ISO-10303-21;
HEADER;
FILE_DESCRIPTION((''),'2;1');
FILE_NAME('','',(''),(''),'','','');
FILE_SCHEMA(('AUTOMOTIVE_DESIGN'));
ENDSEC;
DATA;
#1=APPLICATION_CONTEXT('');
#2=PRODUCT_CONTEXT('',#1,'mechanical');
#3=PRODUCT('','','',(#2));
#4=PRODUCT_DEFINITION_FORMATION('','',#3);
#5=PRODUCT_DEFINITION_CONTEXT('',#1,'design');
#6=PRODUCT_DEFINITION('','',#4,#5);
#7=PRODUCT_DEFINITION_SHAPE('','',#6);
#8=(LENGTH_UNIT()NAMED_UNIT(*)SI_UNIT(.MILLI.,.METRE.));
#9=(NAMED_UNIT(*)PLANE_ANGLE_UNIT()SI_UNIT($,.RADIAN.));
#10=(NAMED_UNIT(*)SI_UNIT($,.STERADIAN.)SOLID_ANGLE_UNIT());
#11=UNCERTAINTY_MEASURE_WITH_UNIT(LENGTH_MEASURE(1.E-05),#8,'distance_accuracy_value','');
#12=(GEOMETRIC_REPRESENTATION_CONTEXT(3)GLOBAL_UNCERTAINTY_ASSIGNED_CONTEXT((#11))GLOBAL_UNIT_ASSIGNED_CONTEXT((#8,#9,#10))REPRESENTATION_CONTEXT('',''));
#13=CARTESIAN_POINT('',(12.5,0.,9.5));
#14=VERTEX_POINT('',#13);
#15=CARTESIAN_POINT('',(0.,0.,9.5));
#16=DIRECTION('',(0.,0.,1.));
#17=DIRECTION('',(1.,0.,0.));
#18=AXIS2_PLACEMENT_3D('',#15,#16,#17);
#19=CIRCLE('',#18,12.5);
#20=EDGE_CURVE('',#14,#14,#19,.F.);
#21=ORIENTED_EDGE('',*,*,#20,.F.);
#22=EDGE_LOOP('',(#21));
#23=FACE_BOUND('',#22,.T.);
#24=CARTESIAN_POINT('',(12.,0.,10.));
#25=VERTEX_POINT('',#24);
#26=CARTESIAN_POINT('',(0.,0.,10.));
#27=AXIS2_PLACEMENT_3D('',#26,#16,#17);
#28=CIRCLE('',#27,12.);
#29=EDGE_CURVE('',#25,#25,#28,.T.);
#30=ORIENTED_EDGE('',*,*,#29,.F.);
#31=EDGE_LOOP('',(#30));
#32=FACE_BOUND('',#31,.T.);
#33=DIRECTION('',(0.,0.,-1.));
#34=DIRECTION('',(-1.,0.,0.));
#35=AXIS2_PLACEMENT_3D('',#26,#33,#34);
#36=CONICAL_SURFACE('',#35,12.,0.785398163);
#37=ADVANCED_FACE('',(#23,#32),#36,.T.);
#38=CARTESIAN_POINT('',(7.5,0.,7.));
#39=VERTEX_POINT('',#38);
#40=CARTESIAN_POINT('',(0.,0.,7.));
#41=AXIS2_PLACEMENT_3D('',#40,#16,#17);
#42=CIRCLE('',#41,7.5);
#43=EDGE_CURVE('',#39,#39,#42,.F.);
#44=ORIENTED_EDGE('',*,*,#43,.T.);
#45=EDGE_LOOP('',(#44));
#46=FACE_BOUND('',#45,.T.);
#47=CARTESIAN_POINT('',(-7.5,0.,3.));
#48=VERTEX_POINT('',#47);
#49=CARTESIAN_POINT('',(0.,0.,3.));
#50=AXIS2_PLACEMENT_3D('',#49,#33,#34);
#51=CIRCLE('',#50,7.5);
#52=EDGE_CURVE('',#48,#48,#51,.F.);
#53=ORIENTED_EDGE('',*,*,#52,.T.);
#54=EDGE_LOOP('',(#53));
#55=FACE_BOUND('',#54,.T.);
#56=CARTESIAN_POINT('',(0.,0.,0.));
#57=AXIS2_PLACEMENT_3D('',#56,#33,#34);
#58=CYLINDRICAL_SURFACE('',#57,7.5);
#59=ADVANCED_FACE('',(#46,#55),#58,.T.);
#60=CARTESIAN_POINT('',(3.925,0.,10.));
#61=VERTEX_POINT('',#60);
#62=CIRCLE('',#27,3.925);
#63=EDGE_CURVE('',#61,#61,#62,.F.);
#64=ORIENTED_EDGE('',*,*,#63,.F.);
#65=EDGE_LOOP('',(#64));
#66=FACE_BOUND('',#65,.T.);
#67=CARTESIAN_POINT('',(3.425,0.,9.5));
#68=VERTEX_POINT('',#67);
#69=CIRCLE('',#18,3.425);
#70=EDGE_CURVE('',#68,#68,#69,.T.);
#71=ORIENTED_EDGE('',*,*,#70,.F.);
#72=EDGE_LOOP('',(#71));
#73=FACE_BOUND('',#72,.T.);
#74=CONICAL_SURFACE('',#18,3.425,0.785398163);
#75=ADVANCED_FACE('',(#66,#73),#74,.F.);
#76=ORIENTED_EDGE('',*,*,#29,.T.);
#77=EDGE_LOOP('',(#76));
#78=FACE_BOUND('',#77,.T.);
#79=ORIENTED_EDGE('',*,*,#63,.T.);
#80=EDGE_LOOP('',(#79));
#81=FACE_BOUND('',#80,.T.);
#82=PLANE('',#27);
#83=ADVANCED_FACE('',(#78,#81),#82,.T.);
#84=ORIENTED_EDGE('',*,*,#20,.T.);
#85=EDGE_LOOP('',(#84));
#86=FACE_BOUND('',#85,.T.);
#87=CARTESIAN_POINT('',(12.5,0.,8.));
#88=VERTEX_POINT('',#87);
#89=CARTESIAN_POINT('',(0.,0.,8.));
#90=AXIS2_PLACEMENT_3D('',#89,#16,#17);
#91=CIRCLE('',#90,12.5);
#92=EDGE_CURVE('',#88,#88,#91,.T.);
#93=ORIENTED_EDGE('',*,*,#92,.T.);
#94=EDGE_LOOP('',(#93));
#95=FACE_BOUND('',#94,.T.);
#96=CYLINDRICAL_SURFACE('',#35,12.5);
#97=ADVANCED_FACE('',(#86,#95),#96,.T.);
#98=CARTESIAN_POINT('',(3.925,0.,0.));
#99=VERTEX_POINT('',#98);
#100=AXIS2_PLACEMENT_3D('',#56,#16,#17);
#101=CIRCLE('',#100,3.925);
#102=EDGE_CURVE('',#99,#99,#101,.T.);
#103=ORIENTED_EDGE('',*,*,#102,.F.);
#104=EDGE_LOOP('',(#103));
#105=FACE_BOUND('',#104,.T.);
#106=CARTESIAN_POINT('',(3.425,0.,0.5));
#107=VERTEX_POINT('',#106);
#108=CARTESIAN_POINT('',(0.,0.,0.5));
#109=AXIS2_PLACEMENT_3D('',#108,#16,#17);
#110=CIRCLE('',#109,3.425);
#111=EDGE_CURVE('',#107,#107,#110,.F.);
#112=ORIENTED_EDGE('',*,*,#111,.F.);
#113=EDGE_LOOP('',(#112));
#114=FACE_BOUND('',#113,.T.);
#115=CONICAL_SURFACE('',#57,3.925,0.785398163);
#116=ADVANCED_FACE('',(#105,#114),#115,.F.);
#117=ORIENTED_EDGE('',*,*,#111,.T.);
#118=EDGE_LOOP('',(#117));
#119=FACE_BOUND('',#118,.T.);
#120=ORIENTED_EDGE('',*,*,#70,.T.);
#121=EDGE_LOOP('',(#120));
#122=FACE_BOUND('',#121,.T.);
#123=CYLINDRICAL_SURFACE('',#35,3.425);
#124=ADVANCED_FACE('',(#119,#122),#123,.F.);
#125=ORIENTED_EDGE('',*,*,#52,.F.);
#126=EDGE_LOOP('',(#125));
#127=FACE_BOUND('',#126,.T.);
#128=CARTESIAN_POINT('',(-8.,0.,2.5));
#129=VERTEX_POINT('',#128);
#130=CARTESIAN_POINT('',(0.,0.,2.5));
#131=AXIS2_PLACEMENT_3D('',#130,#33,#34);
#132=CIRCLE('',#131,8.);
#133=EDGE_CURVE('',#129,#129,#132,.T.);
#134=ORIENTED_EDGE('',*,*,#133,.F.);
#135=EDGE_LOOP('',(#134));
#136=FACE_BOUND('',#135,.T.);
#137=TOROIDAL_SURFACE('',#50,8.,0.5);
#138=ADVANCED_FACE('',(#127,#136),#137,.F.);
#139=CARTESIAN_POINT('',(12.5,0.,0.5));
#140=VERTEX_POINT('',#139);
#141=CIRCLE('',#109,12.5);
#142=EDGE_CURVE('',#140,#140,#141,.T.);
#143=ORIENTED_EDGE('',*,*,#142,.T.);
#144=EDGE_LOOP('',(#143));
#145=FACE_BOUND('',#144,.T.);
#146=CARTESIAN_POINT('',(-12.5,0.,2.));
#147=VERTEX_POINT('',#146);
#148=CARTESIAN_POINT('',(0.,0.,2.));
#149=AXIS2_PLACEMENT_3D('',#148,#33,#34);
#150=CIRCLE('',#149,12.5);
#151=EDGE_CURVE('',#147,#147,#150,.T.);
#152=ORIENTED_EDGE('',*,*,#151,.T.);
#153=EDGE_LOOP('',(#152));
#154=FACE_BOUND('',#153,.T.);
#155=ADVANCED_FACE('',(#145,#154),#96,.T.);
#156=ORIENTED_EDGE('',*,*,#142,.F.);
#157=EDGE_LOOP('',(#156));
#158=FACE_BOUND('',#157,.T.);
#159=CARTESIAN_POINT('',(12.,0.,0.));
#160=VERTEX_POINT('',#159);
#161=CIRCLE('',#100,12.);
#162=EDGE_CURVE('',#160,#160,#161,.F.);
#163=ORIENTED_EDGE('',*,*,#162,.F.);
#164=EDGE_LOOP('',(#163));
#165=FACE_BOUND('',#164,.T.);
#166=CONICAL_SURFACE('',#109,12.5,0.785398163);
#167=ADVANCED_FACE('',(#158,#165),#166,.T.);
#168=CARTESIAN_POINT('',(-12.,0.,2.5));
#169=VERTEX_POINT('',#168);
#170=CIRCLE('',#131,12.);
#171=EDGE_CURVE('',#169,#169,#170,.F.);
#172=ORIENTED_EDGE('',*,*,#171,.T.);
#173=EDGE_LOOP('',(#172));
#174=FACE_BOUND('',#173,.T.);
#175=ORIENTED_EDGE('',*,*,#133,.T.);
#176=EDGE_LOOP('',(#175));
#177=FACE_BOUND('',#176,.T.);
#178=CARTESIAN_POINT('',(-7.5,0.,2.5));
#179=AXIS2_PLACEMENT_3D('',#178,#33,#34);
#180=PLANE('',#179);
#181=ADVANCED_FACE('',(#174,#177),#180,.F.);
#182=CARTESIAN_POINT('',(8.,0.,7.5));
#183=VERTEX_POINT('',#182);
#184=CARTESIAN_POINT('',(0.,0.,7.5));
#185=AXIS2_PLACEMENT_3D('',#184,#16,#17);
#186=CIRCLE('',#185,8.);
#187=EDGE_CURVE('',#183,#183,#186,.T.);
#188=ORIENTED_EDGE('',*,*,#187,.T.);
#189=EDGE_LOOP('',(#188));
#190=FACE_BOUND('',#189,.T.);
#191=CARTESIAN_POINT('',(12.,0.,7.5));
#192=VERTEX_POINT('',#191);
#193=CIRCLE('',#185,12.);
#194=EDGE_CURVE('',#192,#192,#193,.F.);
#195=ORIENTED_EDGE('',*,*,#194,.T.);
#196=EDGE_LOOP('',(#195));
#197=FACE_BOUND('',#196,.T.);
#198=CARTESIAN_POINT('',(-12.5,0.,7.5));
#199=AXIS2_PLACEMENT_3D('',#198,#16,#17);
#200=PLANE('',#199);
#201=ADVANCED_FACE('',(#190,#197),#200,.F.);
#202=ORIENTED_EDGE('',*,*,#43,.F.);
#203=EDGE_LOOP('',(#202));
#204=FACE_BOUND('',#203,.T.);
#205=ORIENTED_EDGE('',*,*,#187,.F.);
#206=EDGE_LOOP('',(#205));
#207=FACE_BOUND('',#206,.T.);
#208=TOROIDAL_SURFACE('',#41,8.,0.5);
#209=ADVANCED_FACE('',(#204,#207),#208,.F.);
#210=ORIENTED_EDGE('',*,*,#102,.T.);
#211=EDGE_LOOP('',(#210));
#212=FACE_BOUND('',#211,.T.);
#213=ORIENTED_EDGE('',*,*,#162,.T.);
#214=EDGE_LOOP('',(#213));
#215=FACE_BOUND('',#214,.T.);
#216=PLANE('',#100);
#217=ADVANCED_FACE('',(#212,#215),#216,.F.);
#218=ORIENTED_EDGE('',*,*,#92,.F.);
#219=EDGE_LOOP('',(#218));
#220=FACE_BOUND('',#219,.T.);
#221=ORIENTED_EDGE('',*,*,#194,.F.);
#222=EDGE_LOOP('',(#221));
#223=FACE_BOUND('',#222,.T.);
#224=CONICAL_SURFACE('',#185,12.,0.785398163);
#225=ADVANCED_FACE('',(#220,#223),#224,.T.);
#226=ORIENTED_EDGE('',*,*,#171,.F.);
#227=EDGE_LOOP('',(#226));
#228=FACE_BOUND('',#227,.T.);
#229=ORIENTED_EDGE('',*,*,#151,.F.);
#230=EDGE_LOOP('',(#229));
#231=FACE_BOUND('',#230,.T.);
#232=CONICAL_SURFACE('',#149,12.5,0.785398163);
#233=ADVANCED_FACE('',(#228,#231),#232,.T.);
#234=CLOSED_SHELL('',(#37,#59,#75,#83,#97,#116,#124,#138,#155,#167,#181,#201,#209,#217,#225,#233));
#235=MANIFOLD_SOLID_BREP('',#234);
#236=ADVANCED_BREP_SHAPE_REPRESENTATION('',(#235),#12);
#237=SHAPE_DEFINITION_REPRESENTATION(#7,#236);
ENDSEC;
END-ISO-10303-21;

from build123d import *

# Parameters (mm, degrees)
SKETCH1_R           = 12.5
SKETCH1_R_2         = 3.425
BOSS_EXTRUDE1_DEPTH = 10
SKETCH2_W           = 5
SKETCH2_H           = 5
CHAMFER1_SIZE       = 0.5
FILLET1_R           = 0.5


with BuildPart() as part:
    # Sketch1 → Boss-Extrude1 (new body)
    with BuildSketch(Plane.XY):
        Circle(SKETCH1_R)
        Circle(SKETCH1_R_2, mode=Mode.SUBTRACT)
    extrude(amount=BOSS_EXTRUDE1_DEPTH)

    # Sketch2 → Cut-Revolve1 (revolve, cut)
    with BuildSketch(Plane(origin=(0, 0, 0), x_dir=(1, 0, 0), z_dir=(0, 1, 0))):
        with Locations((-10, -5)):
            Rectangle(SKETCH2_W, SKETCH2_H)
    revolve(axis=Axis((0, 0, 0), (0, 0, 1)), mode=Mode.SUBTRACT)

    # Chamfer1
    chamfer1_edges = [part.edges().sort_by_distance(p)[0] for p in [
        (-12.5, 0, 2.5),
        (-12.5, 0, 7.5),
        (-12.5, 0, 10),
        (-12.5, 0, 0),
        (-3.425, 0, 0),
        (-3.425, 0, 10),
    ]]
    chamfer(chamfer1_edges, length=CHAMFER1_SIZE)

    # Fillet1
    fillet1_edges = [part.edges().sort_by_distance(p)[0] for p in [
        (7.5, 0, 7.5),
        (7.5, 0, 2.5),
    ]]
    fillet(fillet1_edges, radius=FILLET1_R)


solid = part.part
